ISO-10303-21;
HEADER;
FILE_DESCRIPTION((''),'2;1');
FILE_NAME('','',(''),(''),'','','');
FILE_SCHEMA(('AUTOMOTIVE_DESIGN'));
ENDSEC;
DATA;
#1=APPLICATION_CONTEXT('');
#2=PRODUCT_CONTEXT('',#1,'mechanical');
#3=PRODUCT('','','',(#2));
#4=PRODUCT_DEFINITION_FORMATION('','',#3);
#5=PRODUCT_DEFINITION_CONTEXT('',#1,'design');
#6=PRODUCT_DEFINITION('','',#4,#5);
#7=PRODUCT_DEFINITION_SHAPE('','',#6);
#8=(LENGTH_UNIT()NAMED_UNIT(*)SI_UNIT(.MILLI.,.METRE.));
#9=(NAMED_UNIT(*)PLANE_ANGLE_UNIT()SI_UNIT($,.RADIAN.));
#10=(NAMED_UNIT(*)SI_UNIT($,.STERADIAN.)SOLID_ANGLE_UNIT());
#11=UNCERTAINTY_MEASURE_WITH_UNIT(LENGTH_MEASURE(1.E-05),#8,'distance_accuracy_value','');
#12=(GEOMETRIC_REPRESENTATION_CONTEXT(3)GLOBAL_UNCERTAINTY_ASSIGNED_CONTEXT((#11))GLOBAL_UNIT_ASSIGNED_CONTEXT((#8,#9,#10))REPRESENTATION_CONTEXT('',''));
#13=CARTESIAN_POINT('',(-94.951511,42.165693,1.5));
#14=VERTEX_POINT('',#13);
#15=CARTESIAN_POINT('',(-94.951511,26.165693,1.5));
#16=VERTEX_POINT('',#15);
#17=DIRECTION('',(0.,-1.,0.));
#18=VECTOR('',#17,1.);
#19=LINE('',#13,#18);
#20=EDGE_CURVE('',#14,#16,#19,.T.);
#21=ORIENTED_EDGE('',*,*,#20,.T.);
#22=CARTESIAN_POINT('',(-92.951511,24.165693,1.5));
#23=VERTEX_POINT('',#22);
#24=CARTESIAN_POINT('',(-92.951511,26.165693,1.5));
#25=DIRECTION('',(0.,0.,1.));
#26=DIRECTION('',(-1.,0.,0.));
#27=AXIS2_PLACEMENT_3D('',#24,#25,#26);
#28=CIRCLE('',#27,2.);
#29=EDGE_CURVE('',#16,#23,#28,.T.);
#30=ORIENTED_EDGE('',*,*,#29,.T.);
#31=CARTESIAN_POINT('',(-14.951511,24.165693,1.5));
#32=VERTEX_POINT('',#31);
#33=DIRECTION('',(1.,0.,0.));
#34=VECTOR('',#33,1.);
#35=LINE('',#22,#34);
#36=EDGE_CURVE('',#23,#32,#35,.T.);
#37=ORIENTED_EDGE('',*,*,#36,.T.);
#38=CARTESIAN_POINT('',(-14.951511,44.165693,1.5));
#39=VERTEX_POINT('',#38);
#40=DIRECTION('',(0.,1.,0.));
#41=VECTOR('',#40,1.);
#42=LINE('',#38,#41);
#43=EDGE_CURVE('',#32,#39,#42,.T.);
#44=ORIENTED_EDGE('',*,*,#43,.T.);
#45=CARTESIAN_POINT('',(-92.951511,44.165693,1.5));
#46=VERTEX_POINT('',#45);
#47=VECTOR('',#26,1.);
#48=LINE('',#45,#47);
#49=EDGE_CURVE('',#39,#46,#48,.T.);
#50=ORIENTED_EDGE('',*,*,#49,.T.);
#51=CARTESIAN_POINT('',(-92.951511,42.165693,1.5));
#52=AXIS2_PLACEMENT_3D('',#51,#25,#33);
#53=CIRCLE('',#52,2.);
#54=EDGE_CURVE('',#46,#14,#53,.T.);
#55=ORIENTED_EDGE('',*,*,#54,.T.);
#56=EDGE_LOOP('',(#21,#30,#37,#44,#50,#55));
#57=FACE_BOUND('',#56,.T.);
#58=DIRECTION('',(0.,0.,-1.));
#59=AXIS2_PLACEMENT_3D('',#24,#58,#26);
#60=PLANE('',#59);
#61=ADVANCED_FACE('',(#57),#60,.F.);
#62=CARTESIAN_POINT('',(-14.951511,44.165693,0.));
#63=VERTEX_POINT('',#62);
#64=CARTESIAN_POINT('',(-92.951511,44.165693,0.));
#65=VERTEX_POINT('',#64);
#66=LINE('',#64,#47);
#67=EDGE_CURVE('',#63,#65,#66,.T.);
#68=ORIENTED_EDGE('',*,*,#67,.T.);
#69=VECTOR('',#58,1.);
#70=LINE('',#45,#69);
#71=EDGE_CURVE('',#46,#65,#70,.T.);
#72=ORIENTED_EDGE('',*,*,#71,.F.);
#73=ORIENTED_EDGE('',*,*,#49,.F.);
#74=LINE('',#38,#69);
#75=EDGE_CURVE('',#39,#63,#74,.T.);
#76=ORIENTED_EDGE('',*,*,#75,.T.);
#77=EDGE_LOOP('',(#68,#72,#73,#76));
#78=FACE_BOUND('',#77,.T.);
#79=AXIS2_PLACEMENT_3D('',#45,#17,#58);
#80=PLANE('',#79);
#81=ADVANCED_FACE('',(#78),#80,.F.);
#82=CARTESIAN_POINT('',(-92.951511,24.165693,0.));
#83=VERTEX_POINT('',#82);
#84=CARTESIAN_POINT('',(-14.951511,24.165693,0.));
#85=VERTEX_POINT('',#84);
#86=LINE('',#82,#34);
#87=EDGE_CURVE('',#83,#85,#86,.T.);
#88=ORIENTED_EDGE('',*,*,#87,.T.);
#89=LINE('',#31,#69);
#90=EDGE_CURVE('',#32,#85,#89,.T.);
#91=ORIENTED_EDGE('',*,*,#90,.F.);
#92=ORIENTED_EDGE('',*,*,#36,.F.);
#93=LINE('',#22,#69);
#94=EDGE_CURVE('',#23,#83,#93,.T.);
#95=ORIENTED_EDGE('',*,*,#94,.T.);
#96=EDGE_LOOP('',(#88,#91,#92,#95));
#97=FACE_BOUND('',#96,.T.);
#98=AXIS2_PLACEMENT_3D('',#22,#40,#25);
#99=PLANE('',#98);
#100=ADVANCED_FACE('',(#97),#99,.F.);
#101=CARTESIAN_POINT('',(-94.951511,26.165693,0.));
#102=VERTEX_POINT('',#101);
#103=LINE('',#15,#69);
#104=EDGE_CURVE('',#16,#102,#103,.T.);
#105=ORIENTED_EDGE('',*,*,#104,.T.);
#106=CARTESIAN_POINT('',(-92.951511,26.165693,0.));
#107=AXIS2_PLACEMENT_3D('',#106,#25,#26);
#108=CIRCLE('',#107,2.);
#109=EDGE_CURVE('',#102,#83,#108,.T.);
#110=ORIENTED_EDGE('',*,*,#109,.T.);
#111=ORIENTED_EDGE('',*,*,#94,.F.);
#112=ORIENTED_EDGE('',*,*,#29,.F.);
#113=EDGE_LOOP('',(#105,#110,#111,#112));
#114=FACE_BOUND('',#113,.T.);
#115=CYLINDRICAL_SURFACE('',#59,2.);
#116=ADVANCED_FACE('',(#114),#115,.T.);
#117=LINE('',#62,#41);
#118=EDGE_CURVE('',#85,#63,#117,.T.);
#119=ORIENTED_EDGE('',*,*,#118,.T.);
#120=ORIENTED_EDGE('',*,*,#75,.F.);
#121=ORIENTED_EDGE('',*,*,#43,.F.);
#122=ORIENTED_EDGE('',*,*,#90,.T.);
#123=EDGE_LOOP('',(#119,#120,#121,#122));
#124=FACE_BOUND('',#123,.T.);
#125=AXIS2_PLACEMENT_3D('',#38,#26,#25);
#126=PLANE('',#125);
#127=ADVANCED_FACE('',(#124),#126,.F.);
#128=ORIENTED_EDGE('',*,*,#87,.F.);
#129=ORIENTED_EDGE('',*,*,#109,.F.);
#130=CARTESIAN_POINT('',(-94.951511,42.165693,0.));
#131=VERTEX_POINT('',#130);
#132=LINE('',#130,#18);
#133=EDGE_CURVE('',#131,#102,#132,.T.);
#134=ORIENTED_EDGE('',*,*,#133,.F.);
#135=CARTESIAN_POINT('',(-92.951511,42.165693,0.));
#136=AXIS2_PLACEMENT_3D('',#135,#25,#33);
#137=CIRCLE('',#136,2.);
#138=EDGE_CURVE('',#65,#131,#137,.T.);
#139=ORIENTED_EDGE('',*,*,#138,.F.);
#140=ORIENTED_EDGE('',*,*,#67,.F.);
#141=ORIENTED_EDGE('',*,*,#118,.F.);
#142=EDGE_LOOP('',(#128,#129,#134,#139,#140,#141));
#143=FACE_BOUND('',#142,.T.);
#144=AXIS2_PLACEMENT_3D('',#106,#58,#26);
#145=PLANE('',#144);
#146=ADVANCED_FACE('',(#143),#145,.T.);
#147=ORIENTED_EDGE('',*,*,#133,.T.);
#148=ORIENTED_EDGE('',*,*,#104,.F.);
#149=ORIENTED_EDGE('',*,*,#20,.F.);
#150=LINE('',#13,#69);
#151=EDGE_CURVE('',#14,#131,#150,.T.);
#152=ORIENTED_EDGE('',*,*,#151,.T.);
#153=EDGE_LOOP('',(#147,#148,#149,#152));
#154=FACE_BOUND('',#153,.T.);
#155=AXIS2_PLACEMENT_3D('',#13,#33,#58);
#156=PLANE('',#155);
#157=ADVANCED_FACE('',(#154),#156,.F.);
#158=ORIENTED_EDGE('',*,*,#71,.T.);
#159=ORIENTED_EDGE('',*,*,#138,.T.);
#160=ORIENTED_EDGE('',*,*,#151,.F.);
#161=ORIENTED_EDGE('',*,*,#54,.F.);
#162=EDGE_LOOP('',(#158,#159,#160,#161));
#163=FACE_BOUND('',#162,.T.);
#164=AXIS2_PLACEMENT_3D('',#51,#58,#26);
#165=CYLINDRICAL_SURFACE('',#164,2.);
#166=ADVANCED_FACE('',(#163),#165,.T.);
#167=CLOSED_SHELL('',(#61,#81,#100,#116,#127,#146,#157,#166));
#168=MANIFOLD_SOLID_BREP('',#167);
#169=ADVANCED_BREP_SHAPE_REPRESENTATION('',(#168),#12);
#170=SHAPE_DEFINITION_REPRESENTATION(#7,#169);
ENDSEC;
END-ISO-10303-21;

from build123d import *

# Parameters (mm, degrees)
EXTRUDE_1_DEPTH = 1.5


with BuildPart() as part:
    # Эскиз1 → Бобышка-Вытянуть1 (new body)
    with BuildSketch(Plane.XY):
        with BuildLine():
            Line((-92.951511498, 44.165693097), (-14.951511498, 44.165693097))
            Line((-14.951511498, 44.165693097), (-14.951511498, 24.165693097))
            Line((-14.951511498, 24.165693097), (-92.951511498, 24.165693097))
            ThreePointArc((-92.951511498, 24.165693097), (-94.365725061, 24.751479535), (-94.951511498, 26.165693097))
            Line((-94.951511498, 26.165693097), (-94.951511498, 42.165693097))
            ThreePointArc((-94.951511498, 42.165693097), (-94.365725061, 43.57990666), (-92.951511498, 44.165693097))
        make_face()
    extrude(amount=EXTRUDE_1_DEPTH)


solid = part.part
